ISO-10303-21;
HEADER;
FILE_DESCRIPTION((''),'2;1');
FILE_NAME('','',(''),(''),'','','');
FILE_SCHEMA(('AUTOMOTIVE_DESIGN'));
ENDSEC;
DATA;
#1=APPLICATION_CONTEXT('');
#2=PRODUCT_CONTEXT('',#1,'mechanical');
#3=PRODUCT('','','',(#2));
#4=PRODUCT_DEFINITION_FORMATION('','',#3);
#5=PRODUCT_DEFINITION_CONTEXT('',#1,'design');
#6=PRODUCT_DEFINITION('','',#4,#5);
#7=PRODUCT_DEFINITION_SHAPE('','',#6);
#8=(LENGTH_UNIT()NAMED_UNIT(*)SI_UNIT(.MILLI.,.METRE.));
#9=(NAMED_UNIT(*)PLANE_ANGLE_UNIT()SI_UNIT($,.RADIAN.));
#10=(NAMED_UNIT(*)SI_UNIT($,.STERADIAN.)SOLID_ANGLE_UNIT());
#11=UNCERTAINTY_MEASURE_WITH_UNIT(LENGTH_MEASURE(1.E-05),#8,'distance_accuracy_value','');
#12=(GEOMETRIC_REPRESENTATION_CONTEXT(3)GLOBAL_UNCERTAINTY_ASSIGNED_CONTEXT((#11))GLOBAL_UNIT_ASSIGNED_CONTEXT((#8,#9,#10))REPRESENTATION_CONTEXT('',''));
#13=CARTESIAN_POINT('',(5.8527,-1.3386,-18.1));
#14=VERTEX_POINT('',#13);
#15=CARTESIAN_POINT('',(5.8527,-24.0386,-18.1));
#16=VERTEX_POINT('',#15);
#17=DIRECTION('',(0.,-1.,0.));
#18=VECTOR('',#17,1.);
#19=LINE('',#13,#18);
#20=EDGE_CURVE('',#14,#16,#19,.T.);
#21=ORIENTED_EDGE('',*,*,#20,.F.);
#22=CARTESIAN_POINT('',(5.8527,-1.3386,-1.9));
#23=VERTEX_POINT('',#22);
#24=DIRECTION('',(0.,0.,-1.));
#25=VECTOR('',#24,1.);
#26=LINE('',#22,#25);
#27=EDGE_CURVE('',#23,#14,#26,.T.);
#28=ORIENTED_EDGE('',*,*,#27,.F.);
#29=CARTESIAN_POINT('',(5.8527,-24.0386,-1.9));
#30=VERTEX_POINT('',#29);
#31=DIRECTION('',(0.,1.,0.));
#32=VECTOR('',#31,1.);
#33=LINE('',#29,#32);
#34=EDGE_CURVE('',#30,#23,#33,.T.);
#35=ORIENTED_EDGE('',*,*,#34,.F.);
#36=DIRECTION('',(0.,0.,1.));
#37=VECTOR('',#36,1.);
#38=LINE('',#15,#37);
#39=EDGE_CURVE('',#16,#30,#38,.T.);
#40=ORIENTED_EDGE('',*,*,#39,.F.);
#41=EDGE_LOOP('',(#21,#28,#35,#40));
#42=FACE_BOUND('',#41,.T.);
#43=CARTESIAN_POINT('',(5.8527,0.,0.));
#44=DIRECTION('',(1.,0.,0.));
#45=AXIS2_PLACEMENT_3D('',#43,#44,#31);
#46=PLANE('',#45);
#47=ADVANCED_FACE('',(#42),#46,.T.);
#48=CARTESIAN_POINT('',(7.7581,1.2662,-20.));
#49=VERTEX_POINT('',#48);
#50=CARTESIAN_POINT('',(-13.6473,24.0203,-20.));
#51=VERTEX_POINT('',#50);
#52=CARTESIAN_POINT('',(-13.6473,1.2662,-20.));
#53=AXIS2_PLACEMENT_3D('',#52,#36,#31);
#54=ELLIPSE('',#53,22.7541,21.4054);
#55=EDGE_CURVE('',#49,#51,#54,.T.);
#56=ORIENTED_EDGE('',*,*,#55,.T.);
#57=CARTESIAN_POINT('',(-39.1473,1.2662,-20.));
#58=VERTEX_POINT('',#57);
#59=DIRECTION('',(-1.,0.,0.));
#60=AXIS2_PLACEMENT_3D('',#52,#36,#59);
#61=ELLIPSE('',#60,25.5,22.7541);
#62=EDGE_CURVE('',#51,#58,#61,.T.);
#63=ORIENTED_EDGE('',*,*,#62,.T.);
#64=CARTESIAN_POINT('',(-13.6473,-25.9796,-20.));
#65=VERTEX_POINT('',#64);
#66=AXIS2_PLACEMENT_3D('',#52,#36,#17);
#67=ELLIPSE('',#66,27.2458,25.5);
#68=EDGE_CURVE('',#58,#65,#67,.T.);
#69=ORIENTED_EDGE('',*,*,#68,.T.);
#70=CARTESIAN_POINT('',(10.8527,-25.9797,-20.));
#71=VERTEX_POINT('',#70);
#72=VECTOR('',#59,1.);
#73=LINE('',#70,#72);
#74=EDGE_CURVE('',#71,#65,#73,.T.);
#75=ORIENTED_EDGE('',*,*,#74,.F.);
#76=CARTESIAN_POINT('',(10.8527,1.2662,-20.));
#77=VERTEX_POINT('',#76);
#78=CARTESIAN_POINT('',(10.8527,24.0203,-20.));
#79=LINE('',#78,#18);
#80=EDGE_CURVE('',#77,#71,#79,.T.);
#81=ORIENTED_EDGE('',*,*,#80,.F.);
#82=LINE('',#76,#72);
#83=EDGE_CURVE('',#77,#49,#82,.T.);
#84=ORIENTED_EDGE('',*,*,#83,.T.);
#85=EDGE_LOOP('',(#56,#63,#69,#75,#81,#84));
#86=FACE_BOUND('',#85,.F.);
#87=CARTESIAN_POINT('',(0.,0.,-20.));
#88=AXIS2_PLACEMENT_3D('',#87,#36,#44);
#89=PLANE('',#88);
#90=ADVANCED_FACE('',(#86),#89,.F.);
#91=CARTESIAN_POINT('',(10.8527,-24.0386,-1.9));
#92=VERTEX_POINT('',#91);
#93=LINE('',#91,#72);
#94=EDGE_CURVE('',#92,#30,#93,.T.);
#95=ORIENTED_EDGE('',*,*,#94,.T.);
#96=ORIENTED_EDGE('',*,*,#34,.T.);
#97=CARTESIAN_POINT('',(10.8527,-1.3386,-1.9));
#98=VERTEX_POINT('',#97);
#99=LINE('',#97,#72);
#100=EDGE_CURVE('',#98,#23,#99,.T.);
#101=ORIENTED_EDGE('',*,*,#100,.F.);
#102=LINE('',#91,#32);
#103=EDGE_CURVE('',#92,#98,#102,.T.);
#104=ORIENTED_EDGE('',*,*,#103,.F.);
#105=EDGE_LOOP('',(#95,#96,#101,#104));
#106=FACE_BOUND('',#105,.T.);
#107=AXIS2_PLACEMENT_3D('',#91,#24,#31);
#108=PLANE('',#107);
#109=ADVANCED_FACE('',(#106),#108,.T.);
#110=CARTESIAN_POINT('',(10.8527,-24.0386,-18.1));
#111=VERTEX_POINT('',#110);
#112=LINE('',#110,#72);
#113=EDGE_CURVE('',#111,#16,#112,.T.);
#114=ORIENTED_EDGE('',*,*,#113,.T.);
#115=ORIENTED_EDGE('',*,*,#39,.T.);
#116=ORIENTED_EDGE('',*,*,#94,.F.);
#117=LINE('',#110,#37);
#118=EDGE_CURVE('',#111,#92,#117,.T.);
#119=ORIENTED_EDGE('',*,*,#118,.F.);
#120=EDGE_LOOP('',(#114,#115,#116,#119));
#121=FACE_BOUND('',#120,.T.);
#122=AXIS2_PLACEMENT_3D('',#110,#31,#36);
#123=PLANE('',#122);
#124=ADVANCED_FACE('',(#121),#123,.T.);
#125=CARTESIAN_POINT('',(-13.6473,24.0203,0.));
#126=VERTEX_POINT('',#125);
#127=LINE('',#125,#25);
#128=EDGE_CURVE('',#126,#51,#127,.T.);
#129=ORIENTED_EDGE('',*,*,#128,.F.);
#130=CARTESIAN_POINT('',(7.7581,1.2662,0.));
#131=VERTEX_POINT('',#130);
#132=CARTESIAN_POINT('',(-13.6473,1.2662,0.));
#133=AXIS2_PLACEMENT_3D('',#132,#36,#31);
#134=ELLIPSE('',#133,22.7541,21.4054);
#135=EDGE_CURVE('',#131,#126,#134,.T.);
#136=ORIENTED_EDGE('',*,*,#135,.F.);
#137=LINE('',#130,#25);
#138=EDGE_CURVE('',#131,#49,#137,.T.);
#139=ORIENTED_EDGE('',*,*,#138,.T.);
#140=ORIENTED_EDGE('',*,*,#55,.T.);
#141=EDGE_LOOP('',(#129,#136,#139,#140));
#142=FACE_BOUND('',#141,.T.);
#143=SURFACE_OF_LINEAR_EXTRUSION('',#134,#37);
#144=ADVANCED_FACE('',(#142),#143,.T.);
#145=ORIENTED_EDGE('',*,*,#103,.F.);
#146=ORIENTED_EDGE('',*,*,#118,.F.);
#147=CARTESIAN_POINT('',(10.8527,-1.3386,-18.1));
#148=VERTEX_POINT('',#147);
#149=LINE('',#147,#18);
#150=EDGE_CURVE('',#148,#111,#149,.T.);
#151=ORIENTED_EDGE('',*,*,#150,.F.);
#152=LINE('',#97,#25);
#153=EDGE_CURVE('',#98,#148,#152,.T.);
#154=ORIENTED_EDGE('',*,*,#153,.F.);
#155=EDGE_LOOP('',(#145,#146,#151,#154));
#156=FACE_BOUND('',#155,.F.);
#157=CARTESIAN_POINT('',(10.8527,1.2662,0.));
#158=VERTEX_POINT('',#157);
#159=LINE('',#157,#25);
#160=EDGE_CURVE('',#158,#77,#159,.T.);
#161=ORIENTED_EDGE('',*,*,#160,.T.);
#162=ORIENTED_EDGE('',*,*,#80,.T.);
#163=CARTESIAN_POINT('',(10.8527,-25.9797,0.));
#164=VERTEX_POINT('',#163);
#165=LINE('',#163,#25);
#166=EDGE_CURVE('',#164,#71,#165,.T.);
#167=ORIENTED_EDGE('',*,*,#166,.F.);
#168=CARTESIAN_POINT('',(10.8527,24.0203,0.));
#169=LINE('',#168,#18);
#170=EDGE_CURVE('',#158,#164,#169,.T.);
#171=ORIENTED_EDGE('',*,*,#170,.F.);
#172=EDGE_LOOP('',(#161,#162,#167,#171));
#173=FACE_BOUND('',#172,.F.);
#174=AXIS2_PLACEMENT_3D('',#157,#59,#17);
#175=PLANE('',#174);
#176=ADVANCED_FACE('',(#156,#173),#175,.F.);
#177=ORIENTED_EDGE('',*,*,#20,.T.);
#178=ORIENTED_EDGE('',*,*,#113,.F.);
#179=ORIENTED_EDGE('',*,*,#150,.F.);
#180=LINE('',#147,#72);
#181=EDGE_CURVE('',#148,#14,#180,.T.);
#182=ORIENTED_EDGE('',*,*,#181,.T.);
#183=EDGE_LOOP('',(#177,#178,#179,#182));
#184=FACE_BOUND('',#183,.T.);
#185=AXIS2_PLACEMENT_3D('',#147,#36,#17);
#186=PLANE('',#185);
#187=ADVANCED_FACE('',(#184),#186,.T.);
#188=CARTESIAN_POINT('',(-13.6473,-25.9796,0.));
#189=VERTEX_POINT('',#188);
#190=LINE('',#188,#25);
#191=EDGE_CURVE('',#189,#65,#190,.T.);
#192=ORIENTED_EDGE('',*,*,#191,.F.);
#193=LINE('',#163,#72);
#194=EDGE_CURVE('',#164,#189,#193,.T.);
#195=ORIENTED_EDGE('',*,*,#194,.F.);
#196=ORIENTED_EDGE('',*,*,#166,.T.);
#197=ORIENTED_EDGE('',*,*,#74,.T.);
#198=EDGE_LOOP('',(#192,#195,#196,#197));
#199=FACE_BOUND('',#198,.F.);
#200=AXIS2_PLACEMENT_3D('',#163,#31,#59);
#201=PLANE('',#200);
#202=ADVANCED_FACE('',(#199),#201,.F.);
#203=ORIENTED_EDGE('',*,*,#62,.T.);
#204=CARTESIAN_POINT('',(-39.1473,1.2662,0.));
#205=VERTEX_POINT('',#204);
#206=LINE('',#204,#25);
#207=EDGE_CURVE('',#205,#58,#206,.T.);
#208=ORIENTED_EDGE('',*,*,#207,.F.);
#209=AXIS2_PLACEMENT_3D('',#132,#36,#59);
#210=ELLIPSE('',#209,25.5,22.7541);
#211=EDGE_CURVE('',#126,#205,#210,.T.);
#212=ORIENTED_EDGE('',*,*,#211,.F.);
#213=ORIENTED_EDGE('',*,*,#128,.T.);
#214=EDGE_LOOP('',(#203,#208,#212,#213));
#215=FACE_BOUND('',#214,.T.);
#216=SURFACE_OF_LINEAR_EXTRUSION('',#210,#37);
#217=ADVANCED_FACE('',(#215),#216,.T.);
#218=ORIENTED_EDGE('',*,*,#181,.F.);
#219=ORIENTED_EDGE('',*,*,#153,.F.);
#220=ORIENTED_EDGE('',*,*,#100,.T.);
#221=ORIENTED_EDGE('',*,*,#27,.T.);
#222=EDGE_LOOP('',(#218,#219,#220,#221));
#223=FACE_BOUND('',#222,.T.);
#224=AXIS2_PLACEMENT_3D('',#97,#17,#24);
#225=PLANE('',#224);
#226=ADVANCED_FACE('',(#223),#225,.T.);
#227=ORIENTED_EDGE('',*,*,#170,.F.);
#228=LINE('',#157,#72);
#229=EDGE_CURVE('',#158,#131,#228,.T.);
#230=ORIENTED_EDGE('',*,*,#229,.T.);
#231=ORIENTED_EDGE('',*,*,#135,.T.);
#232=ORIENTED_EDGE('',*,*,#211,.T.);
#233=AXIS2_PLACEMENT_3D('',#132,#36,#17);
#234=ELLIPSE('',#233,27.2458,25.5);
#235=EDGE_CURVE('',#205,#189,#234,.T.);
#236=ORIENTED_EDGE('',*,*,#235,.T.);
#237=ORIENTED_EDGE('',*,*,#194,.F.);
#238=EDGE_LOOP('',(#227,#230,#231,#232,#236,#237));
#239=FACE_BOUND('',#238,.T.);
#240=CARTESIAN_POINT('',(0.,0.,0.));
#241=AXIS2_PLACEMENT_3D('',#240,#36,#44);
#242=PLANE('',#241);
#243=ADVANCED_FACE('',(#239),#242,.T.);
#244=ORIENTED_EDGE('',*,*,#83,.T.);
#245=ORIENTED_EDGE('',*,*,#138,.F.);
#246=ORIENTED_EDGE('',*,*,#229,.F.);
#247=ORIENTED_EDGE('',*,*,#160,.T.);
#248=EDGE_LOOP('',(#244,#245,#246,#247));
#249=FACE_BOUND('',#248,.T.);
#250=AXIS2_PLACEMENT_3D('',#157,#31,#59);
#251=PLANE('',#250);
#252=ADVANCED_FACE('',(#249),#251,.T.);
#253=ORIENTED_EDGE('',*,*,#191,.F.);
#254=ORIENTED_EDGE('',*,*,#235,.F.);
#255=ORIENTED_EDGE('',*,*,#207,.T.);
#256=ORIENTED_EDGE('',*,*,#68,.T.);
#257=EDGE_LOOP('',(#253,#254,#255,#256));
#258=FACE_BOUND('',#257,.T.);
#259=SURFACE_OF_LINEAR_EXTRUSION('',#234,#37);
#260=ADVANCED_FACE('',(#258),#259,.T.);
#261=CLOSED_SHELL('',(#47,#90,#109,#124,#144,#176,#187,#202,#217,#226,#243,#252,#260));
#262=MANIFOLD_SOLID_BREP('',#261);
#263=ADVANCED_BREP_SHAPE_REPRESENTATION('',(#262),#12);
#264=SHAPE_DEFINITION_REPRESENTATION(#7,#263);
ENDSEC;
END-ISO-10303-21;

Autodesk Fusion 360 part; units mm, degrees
sketch "草图1" plane through (0, 0, 0) normal (0, 0, 1) x (1, 0, 0)
  circle A0 centre (-13.6473, 1.2662) radius 16.75
  circle A1 centre (-13.6473, 1.2662) radius 11
  circle A2 centre (3.8527, 20.9662) radius 2
  circle A3 centre (-33.9473, -22.0338) radius 2
  line L0 (10.8527, -25.9797) -> (-13.6473, -25.9797)
  line L1 (-13.6473, -25.9797) -> (-13.6473, 1.2662)
  line L2 (-13.6473, 1.2662) -> (10.8527, 1.2662)
  line L3 (10.8527, 1.2662) -> (10.8527, -25.9797)
  line L4 (10.8527, -25.9797) -> (-39.1473, -25.9797)
  line L5 (-39.1473, -25.9797) -> (-39.1473, 24.0203)
  line L6 (-39.1473, 24.0203) -> (10.8527, 24.0203)
  line L7 (10.8527, 24.0203) -> (10.8527, -25.9797)
  dimension "d1" = 33.5
  dimension "d2" = 22
  dimension "d3" = 19.7
  dimension "d4" = 17.5
  dimension "d5" = 4
  dimension "d6" = 20.3
  dimension "d7" = 23.3
  dimension "d8" = 4
  dimension "d9" = 24.5
  dimension "d11" = 50
  dimension "d12" = 50
sketch "草图2" plane through (0, 0, 0) normal (0, 0, 1) x (1, 0, 0)
  line L0 (10.8527, 24.0203) -> (10.8527, -25.9797)
  line L1 (-39.1473, 24.0203) -> (10.8527, 24.0203)
  line L2 (-39.1473, -25.9797) -> (-39.1473, 24.0203)
  line L3 (10.8527, -25.9797) -> (-39.1473, -25.9797)
  line L4 (-13.6473, 1.2662) -> (-13.6473, 24.0203) construction
  line L5 (-13.6473, 1.2662) -> (10.8527, 1.2662) construction
  line L6 (-13.6473, 1.2662) -> (-39.1473, 1.2662) construction
  line L7 (-39.1473, 1.2662) -> (-13.6473, 1.2662)
  line L8 (-13.6473, -25.9797) -> (-13.6473, 1.2662) construction
  ellipse E0 centre (-13.6473, 1.2662) end of major axis (-13.6473, 24.0203) minor radius 21.4054 (7.7581, 1.2662) -> (-13.6473, 24.0203) ccw
  ellipse E1 centre (-13.6473, 1.2662) end of major axis (-13.6473, 24.0203) minor radius 25.5 (-13.6473, 24.0203) -> (-39.1473, 1.2662) ccw
  ellipse E2 centre (-13.6473, 1.2662) end of major axis (-39.1473, 1.2662) minor radius 27.2458 (-39.1473, 1.2662) -> (-13.6473, -25.9797) ccw
  line L9 (10.8527, 1.2662) -> (7.7581, 1.2662)
  point P0 (-13.6473, 1.2662)
extrude "拉伸1" add sketch "草图2" against normal blind 20 contours L0 L3 E0 E1 E2 L9
sketch "草图3" plane through (10.8527, 0, 0) normal (1, 0, 0) x (0, 1, 0)
  line L0 (1.2662, 0) -> (-25.9797, 0)
  line L1 (-25.9797, 0) -> (-25.9797, -20)
  line L2 (-25.9797, -20) -> (1.2662, -20)
  line L3 (1.2662, -20) -> (1.2662, 0)
  line L4 (-24.0386, -1.9) -> (-1.3386, -1.9)
  line L5 (-1.3386, -1.9) -> (-1.3386, -18.1)
  line L6 (-1.3386, -18.1) -> (-24.0386, -18.1)
  line L7 (-24.0386, -18.1) -> (-24.0386, -1.9)
  point P0 (-1.3386, -10)
  point P1 (1.2662, -10)
  point P2 (-12.3567, 0)
  point P3 (-12.6886, -1.9)
  dimension "d15" = 22.7
  dimension "d16" = 16.2
extrude "拉伸2" cut sketch "草图3" against normal blind 5 contours L4 L5 L6 L7
